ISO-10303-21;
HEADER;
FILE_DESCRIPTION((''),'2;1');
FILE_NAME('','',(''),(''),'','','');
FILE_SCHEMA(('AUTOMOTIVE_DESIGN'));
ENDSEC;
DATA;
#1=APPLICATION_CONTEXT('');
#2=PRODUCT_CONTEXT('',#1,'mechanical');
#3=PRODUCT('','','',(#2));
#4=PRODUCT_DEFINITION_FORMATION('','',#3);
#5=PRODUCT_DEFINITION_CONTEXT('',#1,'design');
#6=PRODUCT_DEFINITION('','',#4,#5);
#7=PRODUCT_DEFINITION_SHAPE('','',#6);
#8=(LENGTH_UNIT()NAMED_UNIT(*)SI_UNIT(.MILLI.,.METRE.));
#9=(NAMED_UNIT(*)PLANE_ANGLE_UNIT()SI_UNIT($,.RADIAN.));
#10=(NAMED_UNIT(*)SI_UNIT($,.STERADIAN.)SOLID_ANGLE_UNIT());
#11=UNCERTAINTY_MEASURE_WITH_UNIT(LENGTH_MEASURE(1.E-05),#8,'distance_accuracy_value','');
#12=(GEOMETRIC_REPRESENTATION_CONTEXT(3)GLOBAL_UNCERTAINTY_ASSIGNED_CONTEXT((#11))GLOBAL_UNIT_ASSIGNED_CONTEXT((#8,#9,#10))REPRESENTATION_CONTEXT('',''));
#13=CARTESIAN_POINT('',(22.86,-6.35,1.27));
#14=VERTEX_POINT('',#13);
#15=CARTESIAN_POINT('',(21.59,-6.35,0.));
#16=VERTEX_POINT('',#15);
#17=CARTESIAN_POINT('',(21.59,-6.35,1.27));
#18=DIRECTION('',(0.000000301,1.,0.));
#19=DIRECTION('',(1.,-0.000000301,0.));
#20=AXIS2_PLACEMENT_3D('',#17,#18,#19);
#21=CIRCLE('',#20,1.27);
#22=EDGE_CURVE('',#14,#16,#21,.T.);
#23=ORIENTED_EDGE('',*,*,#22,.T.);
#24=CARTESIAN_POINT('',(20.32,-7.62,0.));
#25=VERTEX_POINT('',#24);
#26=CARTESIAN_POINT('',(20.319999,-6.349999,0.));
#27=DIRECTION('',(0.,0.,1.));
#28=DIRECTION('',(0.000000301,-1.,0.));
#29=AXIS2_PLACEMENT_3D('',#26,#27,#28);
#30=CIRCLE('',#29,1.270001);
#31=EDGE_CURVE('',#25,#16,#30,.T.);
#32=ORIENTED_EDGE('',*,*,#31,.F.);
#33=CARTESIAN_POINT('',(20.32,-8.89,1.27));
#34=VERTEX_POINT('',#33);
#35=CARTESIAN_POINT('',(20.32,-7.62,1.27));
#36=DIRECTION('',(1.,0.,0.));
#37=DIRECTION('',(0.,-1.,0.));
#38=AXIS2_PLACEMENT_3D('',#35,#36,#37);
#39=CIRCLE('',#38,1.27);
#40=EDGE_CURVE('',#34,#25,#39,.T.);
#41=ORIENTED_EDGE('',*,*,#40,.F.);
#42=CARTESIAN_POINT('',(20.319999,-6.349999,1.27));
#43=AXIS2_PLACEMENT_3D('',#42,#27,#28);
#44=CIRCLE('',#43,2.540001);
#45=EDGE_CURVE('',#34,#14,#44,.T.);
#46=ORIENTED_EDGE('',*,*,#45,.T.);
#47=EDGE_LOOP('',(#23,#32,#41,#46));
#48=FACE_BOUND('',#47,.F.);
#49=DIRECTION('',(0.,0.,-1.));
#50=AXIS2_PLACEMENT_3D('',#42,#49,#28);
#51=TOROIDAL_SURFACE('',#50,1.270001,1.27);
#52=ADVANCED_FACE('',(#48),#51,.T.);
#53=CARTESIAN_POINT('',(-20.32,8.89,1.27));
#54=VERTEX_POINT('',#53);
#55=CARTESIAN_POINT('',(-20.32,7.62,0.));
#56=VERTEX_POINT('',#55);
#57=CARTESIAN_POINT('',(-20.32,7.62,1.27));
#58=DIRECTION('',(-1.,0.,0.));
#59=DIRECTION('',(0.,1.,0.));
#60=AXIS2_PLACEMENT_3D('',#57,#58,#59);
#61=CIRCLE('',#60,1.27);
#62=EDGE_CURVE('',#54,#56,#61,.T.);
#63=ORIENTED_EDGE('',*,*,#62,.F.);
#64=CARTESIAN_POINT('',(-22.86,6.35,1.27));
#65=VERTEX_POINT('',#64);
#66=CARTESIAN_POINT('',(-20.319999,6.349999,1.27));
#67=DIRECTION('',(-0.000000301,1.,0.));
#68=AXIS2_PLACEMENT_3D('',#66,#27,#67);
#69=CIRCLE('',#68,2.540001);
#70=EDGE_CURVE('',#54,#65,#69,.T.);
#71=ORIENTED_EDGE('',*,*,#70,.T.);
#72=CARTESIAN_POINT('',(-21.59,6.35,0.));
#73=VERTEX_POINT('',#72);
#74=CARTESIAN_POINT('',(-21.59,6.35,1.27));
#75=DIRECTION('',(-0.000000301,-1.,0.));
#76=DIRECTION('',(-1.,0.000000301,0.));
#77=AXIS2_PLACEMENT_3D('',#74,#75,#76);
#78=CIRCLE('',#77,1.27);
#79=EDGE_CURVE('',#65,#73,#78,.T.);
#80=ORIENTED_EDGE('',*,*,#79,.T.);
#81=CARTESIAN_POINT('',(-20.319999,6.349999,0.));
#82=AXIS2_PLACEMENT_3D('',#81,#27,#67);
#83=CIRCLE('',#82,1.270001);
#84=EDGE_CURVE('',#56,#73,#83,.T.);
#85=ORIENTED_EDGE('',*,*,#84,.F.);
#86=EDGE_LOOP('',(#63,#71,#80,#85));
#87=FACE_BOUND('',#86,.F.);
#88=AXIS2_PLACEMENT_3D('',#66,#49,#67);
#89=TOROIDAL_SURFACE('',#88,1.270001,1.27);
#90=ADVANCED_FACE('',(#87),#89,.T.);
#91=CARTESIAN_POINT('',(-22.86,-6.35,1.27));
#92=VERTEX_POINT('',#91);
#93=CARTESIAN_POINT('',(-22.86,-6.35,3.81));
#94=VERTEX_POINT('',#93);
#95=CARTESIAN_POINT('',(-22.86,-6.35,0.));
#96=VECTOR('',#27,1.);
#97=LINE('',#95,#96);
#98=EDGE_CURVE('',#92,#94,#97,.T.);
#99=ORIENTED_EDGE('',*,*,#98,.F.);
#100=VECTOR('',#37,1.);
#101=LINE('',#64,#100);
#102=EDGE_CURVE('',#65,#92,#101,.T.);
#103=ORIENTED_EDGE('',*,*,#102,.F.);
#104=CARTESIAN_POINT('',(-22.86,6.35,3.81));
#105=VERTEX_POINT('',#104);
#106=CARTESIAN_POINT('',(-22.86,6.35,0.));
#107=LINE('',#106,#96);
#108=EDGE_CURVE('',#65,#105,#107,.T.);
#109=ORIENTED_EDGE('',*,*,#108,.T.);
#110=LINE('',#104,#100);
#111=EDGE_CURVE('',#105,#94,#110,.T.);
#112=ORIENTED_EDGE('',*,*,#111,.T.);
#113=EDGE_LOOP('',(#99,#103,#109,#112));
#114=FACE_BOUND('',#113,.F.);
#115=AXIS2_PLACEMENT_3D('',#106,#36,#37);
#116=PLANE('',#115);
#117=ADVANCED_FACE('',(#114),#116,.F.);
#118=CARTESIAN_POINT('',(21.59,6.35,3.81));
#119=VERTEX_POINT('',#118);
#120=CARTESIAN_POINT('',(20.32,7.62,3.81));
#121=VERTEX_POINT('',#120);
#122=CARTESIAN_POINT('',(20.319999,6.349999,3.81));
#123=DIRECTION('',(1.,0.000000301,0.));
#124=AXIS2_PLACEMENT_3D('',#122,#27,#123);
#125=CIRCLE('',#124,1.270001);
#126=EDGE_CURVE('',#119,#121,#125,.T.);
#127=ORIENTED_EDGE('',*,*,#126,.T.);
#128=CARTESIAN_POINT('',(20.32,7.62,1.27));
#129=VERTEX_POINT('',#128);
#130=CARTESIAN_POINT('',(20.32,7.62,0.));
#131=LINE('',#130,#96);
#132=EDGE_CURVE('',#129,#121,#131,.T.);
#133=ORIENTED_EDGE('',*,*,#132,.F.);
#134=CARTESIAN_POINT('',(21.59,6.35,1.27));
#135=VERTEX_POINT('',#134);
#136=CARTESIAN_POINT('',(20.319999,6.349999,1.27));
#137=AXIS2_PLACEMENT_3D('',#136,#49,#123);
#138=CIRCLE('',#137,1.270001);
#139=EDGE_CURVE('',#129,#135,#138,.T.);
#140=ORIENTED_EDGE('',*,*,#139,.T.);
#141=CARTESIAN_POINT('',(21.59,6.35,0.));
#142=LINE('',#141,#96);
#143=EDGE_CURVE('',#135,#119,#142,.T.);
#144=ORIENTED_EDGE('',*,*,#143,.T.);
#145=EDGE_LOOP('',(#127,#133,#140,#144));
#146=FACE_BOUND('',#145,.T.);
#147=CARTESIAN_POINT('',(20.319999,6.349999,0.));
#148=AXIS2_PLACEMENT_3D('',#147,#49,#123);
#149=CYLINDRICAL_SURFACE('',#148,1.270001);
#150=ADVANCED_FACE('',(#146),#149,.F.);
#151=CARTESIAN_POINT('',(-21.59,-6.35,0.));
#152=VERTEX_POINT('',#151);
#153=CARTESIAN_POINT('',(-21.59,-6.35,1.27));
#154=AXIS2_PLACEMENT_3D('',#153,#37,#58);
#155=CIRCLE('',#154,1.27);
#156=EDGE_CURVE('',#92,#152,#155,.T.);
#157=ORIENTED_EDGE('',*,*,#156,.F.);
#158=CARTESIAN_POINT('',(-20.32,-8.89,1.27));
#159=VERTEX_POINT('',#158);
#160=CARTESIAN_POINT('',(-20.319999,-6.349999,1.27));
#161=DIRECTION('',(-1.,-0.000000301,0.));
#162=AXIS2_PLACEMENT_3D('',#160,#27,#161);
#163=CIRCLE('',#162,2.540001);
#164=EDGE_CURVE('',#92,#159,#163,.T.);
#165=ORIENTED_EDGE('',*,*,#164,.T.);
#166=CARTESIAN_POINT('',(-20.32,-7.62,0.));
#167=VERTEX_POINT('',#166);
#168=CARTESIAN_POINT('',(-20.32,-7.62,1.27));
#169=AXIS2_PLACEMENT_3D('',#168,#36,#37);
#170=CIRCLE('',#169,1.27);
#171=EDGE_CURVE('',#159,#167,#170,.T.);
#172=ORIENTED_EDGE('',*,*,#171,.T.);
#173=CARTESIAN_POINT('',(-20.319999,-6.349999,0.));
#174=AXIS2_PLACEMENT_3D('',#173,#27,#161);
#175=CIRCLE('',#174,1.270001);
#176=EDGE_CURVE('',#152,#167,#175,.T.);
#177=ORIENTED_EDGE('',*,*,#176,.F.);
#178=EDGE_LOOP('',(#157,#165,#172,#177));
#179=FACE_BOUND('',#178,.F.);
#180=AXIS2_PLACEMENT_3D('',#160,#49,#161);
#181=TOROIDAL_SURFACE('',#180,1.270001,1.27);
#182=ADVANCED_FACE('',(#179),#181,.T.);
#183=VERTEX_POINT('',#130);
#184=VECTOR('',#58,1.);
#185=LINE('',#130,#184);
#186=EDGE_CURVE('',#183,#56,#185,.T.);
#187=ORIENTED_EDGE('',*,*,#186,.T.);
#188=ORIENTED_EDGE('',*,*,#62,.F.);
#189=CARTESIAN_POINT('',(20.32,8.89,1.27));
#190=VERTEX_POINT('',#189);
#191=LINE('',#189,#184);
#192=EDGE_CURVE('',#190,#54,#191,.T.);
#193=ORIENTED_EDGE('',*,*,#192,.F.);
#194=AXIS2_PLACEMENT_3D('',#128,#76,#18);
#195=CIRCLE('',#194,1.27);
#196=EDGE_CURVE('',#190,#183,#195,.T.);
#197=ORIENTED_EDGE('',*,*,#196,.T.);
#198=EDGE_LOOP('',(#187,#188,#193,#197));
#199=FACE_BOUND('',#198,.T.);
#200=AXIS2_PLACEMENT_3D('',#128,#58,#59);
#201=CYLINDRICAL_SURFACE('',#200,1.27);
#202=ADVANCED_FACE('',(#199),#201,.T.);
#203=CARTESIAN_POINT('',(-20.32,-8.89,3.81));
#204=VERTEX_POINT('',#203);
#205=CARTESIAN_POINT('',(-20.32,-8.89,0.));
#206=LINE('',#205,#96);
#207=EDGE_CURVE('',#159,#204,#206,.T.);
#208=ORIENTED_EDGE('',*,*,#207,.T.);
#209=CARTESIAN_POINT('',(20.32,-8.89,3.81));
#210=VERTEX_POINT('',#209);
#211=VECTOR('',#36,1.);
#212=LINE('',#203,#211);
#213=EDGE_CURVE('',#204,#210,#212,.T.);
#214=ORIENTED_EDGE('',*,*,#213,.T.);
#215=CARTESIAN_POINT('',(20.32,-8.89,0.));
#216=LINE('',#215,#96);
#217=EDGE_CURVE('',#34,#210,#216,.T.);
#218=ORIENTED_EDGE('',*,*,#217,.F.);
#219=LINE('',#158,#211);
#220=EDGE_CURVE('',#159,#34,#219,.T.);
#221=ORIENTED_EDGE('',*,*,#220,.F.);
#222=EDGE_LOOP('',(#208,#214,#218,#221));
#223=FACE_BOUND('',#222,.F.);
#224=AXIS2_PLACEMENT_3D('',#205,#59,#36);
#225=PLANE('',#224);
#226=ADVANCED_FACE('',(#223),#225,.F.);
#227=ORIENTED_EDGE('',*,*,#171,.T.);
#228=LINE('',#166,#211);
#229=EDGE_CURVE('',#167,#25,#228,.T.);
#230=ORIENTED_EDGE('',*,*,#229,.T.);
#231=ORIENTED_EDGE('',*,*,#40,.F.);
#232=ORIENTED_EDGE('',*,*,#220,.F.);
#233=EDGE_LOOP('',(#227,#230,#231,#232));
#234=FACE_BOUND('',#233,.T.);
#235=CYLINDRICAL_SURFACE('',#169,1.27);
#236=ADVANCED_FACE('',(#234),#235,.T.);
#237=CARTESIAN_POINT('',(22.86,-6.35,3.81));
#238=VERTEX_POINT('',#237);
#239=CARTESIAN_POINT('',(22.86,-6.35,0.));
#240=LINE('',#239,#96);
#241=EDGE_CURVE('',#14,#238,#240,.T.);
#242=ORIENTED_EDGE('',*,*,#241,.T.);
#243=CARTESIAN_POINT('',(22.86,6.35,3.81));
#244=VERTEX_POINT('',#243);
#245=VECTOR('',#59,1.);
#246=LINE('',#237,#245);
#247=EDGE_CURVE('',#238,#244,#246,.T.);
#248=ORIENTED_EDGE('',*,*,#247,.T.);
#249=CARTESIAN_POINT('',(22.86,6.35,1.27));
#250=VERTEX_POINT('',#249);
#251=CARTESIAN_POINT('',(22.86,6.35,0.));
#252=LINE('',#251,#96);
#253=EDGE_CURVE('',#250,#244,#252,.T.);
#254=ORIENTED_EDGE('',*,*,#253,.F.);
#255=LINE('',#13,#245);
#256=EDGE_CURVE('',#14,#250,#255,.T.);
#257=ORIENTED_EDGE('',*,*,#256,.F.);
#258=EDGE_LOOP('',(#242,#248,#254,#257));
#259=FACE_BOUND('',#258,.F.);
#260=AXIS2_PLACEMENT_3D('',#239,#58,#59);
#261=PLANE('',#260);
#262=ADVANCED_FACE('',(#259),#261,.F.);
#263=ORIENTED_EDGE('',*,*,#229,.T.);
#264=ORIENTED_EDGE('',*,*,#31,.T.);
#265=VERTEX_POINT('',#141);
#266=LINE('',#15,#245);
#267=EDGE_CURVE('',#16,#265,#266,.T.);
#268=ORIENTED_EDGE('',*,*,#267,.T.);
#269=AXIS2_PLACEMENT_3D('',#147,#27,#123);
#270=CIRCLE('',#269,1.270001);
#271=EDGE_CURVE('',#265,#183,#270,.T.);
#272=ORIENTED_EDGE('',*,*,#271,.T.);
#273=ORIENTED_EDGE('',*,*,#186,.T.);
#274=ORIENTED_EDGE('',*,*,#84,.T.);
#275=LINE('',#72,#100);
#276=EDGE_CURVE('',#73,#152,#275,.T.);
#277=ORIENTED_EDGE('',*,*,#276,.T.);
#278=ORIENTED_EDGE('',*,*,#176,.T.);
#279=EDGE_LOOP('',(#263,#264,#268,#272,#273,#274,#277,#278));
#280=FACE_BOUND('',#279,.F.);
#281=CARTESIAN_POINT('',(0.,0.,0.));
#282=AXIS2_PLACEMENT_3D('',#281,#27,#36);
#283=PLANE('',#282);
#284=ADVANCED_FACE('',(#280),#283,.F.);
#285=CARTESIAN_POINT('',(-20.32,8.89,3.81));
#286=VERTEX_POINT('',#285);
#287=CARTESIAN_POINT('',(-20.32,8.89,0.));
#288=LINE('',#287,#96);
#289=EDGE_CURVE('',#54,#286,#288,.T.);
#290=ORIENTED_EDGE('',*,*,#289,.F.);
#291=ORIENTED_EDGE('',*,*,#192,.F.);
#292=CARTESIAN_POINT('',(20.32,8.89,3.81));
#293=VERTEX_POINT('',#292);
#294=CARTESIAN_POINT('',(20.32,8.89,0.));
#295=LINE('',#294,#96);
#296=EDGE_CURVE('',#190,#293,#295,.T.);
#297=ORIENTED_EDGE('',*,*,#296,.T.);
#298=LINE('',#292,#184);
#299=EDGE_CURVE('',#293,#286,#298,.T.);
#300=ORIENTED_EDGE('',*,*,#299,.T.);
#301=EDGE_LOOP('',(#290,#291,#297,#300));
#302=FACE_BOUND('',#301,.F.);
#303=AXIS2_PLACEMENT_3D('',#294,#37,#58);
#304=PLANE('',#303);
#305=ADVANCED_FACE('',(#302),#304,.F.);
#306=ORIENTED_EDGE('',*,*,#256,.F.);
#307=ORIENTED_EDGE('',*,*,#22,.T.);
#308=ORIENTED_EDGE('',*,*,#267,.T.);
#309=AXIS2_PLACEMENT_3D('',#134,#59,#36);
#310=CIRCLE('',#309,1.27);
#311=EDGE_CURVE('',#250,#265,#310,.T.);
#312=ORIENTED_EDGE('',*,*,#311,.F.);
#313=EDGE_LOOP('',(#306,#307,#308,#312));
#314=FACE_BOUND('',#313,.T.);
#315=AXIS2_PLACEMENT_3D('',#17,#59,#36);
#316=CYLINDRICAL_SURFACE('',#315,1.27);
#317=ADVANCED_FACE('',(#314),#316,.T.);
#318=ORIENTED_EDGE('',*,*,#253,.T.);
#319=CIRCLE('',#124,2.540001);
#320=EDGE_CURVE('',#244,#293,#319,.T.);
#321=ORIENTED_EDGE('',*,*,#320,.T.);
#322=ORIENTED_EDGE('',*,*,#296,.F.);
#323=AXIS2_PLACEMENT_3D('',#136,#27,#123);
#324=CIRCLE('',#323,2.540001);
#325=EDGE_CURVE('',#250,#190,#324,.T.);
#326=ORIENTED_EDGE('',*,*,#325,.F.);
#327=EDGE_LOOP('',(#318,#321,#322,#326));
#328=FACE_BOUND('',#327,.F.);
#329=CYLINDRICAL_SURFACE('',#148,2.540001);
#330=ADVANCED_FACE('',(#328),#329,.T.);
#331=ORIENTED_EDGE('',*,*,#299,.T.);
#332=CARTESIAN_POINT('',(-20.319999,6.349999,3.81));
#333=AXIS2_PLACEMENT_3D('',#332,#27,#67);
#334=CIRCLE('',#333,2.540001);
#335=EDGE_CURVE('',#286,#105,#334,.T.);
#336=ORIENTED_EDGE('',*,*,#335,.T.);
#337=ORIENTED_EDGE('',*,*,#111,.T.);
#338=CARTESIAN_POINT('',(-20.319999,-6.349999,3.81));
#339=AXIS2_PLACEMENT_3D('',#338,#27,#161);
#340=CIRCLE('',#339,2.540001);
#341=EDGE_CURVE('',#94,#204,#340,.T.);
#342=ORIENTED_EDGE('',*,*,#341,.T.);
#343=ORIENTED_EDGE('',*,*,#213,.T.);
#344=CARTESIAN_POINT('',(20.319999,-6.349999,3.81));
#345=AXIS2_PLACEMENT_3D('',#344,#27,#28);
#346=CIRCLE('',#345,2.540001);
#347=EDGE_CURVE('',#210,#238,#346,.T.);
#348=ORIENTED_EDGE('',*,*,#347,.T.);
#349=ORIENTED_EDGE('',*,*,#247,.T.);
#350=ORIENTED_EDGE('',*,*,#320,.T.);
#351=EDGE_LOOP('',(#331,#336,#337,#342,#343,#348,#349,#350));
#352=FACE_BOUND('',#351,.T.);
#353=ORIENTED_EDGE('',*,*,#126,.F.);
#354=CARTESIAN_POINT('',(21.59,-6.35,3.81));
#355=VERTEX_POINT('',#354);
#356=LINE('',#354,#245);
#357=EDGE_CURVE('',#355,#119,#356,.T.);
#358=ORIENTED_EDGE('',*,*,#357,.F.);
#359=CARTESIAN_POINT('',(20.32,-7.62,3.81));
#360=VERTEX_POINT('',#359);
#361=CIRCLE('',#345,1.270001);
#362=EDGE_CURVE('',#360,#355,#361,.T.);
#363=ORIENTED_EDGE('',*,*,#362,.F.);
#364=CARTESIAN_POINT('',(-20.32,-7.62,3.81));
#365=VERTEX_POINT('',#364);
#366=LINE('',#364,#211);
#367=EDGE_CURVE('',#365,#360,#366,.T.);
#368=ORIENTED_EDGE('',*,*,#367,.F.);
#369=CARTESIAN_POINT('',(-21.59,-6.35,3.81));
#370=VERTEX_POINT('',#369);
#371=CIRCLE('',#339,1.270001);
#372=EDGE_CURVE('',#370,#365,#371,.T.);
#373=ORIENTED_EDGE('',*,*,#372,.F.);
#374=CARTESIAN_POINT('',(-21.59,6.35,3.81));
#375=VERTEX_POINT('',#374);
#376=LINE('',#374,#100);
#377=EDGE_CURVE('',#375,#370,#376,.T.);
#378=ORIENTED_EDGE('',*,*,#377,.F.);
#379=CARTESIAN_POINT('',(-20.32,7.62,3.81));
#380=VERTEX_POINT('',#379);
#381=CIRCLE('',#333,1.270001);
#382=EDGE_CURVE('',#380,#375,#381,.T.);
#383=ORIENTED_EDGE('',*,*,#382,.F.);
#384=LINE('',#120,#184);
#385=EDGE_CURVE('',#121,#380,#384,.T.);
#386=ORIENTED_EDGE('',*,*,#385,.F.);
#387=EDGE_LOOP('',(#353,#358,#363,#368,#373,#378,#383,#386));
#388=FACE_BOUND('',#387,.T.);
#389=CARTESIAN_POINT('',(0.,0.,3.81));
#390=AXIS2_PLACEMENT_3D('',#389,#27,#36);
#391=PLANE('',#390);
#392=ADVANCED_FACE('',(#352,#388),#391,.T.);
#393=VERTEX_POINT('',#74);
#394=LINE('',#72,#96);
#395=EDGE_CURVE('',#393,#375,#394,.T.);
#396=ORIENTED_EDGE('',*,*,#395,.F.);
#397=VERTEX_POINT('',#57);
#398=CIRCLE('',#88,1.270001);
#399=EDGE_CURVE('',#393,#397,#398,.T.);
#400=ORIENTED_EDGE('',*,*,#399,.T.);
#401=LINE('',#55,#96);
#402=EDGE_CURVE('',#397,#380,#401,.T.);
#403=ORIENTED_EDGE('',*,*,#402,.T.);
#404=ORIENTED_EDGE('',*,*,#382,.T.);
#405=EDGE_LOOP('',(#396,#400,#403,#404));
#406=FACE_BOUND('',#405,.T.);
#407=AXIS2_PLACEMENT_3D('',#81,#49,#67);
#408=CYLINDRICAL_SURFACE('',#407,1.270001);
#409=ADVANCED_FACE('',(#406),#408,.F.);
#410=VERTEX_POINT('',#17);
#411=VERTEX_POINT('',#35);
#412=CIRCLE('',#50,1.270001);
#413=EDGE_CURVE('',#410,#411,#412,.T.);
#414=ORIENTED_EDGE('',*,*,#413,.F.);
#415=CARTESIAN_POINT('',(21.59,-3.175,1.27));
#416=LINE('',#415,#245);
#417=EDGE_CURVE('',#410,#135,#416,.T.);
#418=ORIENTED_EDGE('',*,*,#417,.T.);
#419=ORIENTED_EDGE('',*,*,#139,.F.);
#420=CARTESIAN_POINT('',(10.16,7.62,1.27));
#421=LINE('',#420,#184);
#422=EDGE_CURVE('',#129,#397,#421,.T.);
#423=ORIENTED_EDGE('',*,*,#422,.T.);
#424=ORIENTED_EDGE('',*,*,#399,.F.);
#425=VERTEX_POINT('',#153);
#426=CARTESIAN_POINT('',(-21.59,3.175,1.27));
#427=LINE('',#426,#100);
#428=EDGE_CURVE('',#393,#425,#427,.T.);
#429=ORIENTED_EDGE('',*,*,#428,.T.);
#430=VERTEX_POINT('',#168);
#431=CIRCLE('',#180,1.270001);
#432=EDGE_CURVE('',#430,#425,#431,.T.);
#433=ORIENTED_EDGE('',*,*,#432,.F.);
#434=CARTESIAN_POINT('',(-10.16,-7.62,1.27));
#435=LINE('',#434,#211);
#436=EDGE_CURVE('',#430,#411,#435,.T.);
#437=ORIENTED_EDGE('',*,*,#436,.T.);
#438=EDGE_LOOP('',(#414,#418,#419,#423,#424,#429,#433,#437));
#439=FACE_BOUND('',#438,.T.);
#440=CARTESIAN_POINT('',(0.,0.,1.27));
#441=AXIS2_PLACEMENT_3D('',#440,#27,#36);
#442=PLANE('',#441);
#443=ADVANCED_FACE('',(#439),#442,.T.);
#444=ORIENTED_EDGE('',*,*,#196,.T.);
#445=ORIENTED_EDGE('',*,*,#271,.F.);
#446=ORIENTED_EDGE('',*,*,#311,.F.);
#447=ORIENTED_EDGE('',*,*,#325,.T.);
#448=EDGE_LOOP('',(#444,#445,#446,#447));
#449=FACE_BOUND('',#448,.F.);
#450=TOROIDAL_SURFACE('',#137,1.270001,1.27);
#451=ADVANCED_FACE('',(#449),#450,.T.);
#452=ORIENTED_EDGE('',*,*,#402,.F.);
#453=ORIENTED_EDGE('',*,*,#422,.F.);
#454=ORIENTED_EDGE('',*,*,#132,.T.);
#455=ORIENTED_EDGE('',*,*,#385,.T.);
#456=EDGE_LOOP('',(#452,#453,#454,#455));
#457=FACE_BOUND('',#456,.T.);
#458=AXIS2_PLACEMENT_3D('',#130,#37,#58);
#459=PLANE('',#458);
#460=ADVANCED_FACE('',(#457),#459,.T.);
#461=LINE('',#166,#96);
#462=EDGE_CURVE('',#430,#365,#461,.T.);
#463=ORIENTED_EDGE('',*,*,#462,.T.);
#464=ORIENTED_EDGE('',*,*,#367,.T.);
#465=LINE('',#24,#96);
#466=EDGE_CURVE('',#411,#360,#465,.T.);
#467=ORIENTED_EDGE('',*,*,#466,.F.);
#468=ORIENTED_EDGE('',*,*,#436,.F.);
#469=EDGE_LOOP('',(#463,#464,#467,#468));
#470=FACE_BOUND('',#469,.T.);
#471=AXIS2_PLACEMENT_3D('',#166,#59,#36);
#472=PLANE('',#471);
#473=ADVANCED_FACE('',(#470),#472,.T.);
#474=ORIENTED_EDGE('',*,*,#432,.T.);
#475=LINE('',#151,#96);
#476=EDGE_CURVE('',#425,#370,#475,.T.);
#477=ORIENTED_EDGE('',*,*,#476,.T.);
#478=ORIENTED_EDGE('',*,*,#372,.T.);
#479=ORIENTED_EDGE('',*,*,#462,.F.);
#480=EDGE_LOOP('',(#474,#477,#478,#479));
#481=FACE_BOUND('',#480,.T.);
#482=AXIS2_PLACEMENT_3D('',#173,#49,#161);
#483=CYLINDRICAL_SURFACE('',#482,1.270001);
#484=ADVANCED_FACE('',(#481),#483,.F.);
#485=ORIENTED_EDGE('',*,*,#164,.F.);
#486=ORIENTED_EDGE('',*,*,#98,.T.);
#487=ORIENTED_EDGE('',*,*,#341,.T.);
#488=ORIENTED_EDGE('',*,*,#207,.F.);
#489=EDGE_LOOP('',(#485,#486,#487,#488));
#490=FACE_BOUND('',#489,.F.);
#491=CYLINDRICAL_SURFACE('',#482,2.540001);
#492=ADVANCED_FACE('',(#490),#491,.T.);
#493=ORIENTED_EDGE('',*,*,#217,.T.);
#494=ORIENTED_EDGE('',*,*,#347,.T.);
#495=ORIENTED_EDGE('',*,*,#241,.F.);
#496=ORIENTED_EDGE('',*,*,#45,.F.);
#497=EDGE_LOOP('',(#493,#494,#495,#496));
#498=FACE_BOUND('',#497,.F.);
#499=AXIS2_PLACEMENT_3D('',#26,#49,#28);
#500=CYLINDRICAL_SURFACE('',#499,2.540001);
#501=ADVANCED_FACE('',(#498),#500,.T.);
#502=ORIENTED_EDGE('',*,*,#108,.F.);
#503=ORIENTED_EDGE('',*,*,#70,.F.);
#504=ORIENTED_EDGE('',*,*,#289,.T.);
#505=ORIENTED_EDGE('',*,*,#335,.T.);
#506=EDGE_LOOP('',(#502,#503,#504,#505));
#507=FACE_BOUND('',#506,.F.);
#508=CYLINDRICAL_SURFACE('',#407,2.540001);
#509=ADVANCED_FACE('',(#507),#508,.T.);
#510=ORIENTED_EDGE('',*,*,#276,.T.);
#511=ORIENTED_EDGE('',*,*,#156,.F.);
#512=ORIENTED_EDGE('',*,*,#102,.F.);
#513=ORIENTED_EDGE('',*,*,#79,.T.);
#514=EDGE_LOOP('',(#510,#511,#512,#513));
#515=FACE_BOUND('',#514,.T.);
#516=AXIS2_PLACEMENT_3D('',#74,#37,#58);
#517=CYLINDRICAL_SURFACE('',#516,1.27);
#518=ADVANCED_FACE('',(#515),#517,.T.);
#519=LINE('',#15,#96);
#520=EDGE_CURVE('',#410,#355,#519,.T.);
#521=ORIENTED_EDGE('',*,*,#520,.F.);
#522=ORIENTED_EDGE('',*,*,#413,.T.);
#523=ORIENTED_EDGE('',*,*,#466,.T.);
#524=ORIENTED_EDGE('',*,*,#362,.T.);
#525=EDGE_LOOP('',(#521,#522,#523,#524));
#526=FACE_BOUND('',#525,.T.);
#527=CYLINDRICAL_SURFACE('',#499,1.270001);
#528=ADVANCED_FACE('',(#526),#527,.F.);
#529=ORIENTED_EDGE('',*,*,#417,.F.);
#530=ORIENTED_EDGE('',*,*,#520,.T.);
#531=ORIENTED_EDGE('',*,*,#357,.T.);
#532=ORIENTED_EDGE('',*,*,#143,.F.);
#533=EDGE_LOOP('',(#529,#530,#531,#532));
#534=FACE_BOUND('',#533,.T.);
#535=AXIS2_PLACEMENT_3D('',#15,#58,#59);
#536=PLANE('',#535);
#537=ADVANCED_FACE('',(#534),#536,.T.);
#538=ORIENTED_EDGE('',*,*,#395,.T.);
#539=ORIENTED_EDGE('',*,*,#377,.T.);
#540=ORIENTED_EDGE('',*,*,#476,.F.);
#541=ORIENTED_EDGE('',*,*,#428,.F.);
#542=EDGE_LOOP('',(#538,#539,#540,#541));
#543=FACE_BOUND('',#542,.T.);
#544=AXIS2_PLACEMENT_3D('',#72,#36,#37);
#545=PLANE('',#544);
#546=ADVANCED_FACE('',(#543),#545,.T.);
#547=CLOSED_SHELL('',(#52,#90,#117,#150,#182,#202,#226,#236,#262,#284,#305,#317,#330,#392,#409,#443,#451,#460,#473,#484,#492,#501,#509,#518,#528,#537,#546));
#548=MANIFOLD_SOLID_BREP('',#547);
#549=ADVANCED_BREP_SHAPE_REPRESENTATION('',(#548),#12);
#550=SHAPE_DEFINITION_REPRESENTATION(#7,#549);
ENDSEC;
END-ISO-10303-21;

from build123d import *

# Parameters (mm, degrees)
F1_DEPTH = 3.81
F2_T     = -1.27
F3_R     = 1.27


with BuildPart() as f1:
    # F0 (on Top) → F1 (new body)
    with BuildSketch(Plane.XY):
        with BuildLine():
            ThreePointArc((22.86, 6.35), (22.116051, 8.146051), (20.32, 8.89))
            Line((20.32, 8.89), (-20.32, 8.89))
            ThreePointArc((-20.32, 8.89), (-22.116051, 8.146051), (-22.86, 6.35))
            Line((-22.86, 6.35), (-22.86, -6.35))
            ThreePointArc((-22.86, -6.35), (-22.116051, -8.146051), (-20.32, -8.89))
            Line((-20.32, -8.89), (20.32, -8.89))
            ThreePointArc((20.32, -8.89), (22.116051, -8.146051), (22.86, -6.35))
            Line((22.86, -6.35), (22.86, 6.35))
        make_face()
    extrude(amount=F1_DEPTH)

    # F2
    f2_openings = [f1.faces().sort_by_distance(p)[0] for p in [
        (0, 0, 3.81),
    ]]
    offset(amount=F2_T, openings=f2_openings)

    # F3
    f3_edges = [f1.edges().sort_by_distance(p)[0] for p in [
        (0, -8.89, 0),
    ]]
    fillet(f3_edges, radius=F3_R)


solid = f1.part
